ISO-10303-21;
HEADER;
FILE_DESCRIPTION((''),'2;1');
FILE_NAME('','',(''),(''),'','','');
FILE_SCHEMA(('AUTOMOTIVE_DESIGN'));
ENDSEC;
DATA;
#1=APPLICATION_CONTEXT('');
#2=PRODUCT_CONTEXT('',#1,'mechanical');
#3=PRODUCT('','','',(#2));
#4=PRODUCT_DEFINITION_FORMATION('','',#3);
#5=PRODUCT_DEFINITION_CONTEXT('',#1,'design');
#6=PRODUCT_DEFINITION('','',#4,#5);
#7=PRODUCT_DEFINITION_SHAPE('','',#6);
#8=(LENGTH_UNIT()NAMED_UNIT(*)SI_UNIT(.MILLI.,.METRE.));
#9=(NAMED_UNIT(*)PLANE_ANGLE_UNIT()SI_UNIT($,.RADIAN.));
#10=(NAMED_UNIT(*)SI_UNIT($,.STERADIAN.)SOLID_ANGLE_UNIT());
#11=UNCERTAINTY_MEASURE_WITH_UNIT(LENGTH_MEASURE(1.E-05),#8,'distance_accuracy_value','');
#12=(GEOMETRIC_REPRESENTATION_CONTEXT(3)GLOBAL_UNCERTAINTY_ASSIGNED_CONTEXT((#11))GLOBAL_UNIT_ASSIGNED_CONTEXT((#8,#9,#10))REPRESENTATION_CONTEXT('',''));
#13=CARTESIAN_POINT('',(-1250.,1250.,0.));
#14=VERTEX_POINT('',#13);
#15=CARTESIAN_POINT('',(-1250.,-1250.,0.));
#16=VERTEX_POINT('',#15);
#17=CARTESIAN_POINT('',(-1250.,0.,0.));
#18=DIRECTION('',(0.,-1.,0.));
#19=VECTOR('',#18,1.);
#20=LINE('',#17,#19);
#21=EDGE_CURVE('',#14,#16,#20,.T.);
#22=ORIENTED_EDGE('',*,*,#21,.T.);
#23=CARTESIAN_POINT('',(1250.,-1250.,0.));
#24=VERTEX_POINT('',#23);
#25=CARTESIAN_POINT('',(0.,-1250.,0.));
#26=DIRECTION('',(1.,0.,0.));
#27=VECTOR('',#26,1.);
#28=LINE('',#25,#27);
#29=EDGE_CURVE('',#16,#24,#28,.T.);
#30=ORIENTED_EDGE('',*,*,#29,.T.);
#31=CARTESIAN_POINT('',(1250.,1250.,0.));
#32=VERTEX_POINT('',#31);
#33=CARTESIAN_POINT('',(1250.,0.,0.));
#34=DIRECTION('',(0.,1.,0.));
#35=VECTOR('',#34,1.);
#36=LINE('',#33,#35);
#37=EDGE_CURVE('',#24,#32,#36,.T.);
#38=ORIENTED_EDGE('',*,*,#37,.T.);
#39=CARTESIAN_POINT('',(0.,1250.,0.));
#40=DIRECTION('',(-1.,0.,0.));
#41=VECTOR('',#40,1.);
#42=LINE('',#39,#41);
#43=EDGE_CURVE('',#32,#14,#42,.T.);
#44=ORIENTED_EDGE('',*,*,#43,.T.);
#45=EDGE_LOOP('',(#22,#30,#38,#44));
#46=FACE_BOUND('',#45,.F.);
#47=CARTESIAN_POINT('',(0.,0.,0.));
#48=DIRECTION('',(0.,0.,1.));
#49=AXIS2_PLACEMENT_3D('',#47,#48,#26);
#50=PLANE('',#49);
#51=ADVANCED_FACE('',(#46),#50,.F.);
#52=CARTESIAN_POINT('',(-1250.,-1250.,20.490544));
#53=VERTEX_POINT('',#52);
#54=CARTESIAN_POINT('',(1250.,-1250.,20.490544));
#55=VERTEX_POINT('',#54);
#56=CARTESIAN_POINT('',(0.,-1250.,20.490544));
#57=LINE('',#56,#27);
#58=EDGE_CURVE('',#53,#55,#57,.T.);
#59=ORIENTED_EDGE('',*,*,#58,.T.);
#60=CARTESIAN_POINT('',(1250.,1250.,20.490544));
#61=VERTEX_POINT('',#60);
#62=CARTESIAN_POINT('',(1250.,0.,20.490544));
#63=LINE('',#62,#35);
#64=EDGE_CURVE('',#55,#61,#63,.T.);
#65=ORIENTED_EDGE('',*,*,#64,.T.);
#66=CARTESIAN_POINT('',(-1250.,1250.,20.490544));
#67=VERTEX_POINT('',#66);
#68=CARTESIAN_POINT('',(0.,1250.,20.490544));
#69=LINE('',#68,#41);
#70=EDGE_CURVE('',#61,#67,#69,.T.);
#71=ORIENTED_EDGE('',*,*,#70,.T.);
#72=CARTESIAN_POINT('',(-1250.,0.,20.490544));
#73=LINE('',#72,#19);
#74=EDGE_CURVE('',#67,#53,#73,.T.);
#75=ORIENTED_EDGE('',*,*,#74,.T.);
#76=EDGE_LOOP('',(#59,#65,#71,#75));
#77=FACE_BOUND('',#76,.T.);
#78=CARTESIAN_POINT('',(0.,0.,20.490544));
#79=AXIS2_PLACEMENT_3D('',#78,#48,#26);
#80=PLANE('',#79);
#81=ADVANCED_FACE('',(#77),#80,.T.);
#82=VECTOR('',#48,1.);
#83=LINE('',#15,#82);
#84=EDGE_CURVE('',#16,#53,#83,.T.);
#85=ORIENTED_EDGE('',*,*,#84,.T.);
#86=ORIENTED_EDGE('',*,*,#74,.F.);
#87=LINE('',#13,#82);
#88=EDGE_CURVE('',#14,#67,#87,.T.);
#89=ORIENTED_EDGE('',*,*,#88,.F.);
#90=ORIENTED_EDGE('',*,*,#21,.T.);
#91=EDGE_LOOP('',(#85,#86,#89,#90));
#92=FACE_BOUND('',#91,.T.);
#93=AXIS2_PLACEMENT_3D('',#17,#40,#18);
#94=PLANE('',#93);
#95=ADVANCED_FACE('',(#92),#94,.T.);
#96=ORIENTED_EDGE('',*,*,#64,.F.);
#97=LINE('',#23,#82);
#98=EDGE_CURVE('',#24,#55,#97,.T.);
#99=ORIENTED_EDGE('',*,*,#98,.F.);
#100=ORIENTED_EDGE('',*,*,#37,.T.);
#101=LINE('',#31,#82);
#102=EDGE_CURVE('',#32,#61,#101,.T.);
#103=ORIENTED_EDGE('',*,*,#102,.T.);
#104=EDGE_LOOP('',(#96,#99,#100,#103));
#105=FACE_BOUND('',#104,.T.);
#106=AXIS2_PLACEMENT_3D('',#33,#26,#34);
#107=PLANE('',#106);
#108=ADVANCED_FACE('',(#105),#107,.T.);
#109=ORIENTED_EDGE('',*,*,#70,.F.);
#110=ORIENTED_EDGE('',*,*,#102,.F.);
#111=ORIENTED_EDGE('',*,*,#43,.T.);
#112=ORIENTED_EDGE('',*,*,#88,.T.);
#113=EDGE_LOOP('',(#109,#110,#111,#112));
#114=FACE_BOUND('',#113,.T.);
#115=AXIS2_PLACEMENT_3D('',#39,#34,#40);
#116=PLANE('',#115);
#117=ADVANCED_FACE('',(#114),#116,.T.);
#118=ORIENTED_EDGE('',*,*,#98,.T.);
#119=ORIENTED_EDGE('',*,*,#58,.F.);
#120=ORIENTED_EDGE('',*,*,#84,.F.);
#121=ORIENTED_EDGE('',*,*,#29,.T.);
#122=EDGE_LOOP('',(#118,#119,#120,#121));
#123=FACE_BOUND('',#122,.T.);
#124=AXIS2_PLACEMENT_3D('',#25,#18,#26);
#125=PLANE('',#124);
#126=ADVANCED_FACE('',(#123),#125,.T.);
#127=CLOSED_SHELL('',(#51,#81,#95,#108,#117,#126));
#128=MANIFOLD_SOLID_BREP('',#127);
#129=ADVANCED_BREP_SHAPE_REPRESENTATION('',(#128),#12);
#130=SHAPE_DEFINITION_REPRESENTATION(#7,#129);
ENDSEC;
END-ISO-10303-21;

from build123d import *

# Parameters (mm, degrees)
F0_W = 2500
F0_H = 2500


with BuildPart() as f2:
    # F2: sweep along a path in F1
    with BuildLine(Plane.XZ) as f2_path:
        Line((0, 0), (0, 20.490544))
    # F0 (on Top) → F2 (sweep)
    with BuildSketch(Plane.XY):
        Rectangle(F0_W, F0_H)
    sweep(path=f2_path.line)


solid = f2.part
